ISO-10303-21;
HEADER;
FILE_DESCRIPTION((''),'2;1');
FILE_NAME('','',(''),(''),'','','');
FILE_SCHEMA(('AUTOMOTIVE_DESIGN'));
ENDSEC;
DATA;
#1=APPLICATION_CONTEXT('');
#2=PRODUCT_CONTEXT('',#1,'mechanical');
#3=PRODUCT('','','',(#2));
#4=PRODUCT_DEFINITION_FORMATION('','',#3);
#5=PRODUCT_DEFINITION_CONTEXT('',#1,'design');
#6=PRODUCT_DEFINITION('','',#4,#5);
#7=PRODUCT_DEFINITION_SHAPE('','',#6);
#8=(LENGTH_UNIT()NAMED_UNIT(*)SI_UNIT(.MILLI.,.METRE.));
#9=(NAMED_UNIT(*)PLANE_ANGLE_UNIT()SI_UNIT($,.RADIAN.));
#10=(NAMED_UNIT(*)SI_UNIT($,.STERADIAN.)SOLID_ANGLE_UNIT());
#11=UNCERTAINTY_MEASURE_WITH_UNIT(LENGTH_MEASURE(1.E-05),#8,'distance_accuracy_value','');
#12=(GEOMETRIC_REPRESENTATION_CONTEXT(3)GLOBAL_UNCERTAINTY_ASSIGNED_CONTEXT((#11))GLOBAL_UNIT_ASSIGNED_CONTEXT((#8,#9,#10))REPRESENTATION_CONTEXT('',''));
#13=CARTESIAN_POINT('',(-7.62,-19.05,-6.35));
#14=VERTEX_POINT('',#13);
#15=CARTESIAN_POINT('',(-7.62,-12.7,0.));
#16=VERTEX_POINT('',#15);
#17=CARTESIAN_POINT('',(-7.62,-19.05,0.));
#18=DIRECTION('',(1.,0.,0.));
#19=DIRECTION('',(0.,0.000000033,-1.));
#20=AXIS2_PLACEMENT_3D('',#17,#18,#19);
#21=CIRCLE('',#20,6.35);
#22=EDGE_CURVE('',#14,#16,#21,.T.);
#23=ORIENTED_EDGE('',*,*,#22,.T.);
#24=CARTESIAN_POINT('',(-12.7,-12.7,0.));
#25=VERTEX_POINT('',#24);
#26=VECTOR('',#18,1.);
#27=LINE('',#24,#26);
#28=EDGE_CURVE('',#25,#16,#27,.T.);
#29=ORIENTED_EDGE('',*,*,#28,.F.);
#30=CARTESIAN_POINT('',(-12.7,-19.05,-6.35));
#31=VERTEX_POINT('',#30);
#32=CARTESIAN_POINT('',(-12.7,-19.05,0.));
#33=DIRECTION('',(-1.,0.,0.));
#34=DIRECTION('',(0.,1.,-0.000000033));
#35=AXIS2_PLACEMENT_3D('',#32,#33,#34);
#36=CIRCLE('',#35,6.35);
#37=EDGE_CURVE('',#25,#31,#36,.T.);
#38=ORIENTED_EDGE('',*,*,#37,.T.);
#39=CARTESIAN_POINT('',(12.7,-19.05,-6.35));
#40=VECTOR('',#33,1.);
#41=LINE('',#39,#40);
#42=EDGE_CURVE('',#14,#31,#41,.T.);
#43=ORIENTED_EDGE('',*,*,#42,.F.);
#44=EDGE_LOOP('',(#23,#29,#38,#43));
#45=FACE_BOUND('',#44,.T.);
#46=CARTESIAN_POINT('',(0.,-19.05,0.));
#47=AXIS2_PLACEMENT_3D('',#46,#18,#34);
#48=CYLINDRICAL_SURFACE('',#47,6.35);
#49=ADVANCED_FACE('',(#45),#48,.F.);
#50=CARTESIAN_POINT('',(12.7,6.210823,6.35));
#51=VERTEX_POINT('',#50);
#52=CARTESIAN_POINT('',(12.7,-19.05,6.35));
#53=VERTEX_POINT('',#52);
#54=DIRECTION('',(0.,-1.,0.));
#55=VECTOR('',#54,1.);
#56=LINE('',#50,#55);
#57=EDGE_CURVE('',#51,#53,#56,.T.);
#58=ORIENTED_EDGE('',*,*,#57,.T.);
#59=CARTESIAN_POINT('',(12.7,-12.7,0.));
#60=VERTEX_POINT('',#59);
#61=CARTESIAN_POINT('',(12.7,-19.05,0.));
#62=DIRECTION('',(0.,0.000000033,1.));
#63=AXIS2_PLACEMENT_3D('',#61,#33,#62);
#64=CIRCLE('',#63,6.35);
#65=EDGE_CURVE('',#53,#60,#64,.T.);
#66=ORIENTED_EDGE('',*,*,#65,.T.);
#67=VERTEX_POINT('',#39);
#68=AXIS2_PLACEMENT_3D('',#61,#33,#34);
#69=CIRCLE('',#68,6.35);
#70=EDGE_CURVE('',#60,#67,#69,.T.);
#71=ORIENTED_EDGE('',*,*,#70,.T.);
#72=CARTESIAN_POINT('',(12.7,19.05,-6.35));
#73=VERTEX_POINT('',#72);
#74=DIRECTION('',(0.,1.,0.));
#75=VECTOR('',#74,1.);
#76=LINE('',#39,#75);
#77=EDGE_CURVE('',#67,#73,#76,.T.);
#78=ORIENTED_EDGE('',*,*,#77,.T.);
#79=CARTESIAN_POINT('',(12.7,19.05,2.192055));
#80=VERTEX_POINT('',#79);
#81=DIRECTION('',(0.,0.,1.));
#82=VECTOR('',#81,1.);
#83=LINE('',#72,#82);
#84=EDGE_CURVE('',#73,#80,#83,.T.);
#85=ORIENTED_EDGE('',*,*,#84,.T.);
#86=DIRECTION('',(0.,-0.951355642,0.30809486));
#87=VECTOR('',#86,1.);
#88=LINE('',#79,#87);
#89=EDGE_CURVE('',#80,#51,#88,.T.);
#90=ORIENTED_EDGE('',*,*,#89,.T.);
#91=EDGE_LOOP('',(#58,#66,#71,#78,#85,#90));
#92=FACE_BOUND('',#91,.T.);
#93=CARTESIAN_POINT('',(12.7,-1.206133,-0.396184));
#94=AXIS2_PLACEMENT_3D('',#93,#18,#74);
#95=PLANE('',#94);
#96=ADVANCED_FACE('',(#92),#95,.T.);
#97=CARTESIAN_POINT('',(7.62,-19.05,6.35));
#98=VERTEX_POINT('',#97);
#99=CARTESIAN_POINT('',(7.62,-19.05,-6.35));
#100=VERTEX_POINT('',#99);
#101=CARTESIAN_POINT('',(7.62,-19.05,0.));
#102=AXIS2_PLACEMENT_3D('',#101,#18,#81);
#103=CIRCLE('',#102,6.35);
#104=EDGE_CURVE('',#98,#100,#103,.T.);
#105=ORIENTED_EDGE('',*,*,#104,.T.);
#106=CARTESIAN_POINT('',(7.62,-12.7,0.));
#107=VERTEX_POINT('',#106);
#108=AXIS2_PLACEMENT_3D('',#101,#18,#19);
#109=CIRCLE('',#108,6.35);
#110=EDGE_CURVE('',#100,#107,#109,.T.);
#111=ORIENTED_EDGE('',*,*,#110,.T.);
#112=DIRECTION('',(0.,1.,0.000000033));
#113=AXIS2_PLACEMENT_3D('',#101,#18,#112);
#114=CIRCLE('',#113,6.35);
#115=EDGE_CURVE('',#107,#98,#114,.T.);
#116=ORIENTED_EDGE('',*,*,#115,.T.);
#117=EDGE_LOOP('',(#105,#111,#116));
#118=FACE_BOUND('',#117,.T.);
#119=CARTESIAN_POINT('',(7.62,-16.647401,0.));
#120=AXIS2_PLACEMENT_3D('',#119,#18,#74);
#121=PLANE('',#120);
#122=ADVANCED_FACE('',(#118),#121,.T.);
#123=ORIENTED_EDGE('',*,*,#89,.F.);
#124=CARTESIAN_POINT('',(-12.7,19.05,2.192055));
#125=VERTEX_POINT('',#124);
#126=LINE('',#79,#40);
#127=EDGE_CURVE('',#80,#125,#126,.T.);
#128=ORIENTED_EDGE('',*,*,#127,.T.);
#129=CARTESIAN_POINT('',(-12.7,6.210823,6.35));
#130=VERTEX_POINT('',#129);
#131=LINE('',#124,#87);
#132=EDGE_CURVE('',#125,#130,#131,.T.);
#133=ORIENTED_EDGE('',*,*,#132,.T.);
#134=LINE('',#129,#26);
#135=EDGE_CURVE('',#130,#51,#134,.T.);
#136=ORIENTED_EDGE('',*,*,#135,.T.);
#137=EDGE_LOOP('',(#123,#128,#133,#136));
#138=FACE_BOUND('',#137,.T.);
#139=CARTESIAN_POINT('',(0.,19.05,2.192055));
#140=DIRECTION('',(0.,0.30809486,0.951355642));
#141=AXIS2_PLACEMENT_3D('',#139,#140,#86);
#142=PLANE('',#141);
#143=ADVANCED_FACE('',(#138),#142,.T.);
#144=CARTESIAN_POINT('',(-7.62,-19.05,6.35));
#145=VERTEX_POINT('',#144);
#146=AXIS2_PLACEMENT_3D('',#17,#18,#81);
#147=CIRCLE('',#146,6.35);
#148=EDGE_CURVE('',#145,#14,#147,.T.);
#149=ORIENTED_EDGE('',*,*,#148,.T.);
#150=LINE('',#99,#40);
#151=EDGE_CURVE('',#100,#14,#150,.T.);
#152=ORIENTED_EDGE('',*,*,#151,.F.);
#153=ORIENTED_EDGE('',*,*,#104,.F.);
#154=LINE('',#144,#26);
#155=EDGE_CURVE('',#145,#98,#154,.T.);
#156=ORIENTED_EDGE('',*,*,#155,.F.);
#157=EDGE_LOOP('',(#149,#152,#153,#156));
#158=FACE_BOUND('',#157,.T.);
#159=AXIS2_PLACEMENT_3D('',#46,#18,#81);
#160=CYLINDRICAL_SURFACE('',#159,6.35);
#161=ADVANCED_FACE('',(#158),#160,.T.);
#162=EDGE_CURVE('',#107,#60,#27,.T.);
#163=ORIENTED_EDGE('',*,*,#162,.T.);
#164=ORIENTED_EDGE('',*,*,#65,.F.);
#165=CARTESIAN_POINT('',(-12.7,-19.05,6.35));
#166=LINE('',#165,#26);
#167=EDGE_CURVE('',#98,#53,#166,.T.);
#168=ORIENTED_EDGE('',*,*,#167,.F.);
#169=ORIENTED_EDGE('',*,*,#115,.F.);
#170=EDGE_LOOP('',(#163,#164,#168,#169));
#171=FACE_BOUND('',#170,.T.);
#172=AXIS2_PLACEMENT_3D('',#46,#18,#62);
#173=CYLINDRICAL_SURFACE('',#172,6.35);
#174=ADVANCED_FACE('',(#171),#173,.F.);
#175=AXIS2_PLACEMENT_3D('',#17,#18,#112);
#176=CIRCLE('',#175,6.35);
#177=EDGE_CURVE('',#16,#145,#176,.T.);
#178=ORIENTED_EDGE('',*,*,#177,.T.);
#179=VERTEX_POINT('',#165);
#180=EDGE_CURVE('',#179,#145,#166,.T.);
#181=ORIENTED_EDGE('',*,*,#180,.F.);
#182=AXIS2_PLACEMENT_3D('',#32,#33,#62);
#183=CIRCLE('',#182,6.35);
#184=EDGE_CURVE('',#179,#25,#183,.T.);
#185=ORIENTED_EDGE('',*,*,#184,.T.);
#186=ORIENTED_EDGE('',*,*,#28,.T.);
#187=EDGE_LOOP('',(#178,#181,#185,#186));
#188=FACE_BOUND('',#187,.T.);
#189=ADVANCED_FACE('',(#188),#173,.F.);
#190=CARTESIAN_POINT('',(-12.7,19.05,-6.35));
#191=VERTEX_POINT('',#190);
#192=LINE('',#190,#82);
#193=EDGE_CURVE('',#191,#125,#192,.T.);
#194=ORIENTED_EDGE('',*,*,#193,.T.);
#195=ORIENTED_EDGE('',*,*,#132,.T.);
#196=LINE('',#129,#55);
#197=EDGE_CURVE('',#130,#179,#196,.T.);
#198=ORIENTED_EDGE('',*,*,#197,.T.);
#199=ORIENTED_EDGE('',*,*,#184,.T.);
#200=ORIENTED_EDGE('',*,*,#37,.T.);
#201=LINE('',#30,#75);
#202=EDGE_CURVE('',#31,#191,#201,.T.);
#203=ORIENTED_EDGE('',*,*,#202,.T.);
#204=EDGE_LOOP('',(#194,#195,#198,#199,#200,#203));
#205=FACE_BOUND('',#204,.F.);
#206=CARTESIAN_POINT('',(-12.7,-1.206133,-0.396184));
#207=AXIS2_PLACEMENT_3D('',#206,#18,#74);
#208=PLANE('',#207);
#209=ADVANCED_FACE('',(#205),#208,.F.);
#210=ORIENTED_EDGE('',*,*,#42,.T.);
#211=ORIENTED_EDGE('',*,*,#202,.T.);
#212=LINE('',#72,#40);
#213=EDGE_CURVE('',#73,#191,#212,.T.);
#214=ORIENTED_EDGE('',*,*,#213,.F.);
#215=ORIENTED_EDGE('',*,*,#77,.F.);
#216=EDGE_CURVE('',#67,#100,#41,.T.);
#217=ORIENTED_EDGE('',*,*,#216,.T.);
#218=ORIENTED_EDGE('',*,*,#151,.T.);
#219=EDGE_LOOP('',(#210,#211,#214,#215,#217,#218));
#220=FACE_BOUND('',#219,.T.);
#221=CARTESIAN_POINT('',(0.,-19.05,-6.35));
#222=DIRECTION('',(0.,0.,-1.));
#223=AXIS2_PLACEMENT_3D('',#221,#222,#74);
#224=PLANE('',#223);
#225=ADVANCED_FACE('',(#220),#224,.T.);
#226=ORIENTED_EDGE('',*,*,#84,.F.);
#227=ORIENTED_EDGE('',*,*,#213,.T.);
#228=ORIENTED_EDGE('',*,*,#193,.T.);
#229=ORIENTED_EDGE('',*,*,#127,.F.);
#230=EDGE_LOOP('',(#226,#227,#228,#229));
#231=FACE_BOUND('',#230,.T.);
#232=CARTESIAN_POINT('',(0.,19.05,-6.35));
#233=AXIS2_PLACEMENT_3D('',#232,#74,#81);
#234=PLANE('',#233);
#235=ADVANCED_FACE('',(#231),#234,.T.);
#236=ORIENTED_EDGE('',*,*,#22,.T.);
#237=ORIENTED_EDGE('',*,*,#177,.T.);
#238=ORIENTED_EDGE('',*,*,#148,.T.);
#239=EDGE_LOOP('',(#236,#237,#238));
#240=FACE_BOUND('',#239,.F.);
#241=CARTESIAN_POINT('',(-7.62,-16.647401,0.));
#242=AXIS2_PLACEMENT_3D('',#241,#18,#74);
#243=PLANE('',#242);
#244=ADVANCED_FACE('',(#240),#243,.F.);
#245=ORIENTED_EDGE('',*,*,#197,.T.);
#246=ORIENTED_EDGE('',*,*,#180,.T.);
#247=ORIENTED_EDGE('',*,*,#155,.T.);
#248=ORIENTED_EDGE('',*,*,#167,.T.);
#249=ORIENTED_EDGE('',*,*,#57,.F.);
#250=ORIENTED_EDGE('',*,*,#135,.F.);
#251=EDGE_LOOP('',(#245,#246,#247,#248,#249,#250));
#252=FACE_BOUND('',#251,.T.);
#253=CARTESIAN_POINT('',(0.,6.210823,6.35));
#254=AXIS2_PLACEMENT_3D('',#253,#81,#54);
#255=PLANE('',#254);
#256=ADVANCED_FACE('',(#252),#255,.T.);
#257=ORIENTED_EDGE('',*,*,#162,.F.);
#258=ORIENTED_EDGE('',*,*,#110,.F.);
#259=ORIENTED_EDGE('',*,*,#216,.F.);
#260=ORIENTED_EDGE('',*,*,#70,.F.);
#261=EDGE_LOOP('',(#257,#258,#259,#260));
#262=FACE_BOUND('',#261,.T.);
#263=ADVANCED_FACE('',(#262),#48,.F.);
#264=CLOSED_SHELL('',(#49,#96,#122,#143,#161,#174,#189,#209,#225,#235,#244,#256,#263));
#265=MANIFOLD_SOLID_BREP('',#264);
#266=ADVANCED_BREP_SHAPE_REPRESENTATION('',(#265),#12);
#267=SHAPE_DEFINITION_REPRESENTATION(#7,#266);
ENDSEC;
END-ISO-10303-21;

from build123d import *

# Parameters (mm, degrees)
F1_DEPTH = 12.7
F2_DEPTH = 7.62


with BuildPart() as f1:
    # F0 (on Right) → F1 (new body, symmetric)
    with BuildSketch(Plane.YZ):
        with BuildLine():
            Line((19.05, 2.192055), (6.210823, 6.35))
            Line((6.210823, 6.35), (-19.05, 6.35))
            ThreePointArc((-19.05, 6.35), (-14.559872, 4.490128), (-12.7, 0))
            ThreePointArc((-12.7, 0), (-14.559872, -4.490128), (-19.05, -6.35))
            Line((-19.05, -6.35), (10.473152, -6.35))
            Line((10.473152, -6.35), (19.05, -6.35))
            Line((19.05, -6.35), (19.05, 2.192055))
        make_face()
    extrude(amount=F1_DEPTH, both=True)

    # F0 (on Right) → F2 (join, symmetric)
    with BuildSketch(Plane.YZ):
        with BuildLine():
            ThreePointArc((-12.7, 0), (-14.559872, 4.490128), (-19.05, 6.35))
            Line((-19.05, 6.35), (-19.05, -6.35))
            ThreePointArc((-19.05, -6.35), (-14.559872, -4.490128), (-12.7, 0))
        make_face()
        with BuildLine():
            Line((-19.05, -6.35), (-19.05, 6.35))
            ThreePointArc((-19.05, 6.35), (-25.4, 0), (-19.05, -6.35))
        make_face()
    extrude(amount=F2_DEPTH, both=True)


solid = f1.part
